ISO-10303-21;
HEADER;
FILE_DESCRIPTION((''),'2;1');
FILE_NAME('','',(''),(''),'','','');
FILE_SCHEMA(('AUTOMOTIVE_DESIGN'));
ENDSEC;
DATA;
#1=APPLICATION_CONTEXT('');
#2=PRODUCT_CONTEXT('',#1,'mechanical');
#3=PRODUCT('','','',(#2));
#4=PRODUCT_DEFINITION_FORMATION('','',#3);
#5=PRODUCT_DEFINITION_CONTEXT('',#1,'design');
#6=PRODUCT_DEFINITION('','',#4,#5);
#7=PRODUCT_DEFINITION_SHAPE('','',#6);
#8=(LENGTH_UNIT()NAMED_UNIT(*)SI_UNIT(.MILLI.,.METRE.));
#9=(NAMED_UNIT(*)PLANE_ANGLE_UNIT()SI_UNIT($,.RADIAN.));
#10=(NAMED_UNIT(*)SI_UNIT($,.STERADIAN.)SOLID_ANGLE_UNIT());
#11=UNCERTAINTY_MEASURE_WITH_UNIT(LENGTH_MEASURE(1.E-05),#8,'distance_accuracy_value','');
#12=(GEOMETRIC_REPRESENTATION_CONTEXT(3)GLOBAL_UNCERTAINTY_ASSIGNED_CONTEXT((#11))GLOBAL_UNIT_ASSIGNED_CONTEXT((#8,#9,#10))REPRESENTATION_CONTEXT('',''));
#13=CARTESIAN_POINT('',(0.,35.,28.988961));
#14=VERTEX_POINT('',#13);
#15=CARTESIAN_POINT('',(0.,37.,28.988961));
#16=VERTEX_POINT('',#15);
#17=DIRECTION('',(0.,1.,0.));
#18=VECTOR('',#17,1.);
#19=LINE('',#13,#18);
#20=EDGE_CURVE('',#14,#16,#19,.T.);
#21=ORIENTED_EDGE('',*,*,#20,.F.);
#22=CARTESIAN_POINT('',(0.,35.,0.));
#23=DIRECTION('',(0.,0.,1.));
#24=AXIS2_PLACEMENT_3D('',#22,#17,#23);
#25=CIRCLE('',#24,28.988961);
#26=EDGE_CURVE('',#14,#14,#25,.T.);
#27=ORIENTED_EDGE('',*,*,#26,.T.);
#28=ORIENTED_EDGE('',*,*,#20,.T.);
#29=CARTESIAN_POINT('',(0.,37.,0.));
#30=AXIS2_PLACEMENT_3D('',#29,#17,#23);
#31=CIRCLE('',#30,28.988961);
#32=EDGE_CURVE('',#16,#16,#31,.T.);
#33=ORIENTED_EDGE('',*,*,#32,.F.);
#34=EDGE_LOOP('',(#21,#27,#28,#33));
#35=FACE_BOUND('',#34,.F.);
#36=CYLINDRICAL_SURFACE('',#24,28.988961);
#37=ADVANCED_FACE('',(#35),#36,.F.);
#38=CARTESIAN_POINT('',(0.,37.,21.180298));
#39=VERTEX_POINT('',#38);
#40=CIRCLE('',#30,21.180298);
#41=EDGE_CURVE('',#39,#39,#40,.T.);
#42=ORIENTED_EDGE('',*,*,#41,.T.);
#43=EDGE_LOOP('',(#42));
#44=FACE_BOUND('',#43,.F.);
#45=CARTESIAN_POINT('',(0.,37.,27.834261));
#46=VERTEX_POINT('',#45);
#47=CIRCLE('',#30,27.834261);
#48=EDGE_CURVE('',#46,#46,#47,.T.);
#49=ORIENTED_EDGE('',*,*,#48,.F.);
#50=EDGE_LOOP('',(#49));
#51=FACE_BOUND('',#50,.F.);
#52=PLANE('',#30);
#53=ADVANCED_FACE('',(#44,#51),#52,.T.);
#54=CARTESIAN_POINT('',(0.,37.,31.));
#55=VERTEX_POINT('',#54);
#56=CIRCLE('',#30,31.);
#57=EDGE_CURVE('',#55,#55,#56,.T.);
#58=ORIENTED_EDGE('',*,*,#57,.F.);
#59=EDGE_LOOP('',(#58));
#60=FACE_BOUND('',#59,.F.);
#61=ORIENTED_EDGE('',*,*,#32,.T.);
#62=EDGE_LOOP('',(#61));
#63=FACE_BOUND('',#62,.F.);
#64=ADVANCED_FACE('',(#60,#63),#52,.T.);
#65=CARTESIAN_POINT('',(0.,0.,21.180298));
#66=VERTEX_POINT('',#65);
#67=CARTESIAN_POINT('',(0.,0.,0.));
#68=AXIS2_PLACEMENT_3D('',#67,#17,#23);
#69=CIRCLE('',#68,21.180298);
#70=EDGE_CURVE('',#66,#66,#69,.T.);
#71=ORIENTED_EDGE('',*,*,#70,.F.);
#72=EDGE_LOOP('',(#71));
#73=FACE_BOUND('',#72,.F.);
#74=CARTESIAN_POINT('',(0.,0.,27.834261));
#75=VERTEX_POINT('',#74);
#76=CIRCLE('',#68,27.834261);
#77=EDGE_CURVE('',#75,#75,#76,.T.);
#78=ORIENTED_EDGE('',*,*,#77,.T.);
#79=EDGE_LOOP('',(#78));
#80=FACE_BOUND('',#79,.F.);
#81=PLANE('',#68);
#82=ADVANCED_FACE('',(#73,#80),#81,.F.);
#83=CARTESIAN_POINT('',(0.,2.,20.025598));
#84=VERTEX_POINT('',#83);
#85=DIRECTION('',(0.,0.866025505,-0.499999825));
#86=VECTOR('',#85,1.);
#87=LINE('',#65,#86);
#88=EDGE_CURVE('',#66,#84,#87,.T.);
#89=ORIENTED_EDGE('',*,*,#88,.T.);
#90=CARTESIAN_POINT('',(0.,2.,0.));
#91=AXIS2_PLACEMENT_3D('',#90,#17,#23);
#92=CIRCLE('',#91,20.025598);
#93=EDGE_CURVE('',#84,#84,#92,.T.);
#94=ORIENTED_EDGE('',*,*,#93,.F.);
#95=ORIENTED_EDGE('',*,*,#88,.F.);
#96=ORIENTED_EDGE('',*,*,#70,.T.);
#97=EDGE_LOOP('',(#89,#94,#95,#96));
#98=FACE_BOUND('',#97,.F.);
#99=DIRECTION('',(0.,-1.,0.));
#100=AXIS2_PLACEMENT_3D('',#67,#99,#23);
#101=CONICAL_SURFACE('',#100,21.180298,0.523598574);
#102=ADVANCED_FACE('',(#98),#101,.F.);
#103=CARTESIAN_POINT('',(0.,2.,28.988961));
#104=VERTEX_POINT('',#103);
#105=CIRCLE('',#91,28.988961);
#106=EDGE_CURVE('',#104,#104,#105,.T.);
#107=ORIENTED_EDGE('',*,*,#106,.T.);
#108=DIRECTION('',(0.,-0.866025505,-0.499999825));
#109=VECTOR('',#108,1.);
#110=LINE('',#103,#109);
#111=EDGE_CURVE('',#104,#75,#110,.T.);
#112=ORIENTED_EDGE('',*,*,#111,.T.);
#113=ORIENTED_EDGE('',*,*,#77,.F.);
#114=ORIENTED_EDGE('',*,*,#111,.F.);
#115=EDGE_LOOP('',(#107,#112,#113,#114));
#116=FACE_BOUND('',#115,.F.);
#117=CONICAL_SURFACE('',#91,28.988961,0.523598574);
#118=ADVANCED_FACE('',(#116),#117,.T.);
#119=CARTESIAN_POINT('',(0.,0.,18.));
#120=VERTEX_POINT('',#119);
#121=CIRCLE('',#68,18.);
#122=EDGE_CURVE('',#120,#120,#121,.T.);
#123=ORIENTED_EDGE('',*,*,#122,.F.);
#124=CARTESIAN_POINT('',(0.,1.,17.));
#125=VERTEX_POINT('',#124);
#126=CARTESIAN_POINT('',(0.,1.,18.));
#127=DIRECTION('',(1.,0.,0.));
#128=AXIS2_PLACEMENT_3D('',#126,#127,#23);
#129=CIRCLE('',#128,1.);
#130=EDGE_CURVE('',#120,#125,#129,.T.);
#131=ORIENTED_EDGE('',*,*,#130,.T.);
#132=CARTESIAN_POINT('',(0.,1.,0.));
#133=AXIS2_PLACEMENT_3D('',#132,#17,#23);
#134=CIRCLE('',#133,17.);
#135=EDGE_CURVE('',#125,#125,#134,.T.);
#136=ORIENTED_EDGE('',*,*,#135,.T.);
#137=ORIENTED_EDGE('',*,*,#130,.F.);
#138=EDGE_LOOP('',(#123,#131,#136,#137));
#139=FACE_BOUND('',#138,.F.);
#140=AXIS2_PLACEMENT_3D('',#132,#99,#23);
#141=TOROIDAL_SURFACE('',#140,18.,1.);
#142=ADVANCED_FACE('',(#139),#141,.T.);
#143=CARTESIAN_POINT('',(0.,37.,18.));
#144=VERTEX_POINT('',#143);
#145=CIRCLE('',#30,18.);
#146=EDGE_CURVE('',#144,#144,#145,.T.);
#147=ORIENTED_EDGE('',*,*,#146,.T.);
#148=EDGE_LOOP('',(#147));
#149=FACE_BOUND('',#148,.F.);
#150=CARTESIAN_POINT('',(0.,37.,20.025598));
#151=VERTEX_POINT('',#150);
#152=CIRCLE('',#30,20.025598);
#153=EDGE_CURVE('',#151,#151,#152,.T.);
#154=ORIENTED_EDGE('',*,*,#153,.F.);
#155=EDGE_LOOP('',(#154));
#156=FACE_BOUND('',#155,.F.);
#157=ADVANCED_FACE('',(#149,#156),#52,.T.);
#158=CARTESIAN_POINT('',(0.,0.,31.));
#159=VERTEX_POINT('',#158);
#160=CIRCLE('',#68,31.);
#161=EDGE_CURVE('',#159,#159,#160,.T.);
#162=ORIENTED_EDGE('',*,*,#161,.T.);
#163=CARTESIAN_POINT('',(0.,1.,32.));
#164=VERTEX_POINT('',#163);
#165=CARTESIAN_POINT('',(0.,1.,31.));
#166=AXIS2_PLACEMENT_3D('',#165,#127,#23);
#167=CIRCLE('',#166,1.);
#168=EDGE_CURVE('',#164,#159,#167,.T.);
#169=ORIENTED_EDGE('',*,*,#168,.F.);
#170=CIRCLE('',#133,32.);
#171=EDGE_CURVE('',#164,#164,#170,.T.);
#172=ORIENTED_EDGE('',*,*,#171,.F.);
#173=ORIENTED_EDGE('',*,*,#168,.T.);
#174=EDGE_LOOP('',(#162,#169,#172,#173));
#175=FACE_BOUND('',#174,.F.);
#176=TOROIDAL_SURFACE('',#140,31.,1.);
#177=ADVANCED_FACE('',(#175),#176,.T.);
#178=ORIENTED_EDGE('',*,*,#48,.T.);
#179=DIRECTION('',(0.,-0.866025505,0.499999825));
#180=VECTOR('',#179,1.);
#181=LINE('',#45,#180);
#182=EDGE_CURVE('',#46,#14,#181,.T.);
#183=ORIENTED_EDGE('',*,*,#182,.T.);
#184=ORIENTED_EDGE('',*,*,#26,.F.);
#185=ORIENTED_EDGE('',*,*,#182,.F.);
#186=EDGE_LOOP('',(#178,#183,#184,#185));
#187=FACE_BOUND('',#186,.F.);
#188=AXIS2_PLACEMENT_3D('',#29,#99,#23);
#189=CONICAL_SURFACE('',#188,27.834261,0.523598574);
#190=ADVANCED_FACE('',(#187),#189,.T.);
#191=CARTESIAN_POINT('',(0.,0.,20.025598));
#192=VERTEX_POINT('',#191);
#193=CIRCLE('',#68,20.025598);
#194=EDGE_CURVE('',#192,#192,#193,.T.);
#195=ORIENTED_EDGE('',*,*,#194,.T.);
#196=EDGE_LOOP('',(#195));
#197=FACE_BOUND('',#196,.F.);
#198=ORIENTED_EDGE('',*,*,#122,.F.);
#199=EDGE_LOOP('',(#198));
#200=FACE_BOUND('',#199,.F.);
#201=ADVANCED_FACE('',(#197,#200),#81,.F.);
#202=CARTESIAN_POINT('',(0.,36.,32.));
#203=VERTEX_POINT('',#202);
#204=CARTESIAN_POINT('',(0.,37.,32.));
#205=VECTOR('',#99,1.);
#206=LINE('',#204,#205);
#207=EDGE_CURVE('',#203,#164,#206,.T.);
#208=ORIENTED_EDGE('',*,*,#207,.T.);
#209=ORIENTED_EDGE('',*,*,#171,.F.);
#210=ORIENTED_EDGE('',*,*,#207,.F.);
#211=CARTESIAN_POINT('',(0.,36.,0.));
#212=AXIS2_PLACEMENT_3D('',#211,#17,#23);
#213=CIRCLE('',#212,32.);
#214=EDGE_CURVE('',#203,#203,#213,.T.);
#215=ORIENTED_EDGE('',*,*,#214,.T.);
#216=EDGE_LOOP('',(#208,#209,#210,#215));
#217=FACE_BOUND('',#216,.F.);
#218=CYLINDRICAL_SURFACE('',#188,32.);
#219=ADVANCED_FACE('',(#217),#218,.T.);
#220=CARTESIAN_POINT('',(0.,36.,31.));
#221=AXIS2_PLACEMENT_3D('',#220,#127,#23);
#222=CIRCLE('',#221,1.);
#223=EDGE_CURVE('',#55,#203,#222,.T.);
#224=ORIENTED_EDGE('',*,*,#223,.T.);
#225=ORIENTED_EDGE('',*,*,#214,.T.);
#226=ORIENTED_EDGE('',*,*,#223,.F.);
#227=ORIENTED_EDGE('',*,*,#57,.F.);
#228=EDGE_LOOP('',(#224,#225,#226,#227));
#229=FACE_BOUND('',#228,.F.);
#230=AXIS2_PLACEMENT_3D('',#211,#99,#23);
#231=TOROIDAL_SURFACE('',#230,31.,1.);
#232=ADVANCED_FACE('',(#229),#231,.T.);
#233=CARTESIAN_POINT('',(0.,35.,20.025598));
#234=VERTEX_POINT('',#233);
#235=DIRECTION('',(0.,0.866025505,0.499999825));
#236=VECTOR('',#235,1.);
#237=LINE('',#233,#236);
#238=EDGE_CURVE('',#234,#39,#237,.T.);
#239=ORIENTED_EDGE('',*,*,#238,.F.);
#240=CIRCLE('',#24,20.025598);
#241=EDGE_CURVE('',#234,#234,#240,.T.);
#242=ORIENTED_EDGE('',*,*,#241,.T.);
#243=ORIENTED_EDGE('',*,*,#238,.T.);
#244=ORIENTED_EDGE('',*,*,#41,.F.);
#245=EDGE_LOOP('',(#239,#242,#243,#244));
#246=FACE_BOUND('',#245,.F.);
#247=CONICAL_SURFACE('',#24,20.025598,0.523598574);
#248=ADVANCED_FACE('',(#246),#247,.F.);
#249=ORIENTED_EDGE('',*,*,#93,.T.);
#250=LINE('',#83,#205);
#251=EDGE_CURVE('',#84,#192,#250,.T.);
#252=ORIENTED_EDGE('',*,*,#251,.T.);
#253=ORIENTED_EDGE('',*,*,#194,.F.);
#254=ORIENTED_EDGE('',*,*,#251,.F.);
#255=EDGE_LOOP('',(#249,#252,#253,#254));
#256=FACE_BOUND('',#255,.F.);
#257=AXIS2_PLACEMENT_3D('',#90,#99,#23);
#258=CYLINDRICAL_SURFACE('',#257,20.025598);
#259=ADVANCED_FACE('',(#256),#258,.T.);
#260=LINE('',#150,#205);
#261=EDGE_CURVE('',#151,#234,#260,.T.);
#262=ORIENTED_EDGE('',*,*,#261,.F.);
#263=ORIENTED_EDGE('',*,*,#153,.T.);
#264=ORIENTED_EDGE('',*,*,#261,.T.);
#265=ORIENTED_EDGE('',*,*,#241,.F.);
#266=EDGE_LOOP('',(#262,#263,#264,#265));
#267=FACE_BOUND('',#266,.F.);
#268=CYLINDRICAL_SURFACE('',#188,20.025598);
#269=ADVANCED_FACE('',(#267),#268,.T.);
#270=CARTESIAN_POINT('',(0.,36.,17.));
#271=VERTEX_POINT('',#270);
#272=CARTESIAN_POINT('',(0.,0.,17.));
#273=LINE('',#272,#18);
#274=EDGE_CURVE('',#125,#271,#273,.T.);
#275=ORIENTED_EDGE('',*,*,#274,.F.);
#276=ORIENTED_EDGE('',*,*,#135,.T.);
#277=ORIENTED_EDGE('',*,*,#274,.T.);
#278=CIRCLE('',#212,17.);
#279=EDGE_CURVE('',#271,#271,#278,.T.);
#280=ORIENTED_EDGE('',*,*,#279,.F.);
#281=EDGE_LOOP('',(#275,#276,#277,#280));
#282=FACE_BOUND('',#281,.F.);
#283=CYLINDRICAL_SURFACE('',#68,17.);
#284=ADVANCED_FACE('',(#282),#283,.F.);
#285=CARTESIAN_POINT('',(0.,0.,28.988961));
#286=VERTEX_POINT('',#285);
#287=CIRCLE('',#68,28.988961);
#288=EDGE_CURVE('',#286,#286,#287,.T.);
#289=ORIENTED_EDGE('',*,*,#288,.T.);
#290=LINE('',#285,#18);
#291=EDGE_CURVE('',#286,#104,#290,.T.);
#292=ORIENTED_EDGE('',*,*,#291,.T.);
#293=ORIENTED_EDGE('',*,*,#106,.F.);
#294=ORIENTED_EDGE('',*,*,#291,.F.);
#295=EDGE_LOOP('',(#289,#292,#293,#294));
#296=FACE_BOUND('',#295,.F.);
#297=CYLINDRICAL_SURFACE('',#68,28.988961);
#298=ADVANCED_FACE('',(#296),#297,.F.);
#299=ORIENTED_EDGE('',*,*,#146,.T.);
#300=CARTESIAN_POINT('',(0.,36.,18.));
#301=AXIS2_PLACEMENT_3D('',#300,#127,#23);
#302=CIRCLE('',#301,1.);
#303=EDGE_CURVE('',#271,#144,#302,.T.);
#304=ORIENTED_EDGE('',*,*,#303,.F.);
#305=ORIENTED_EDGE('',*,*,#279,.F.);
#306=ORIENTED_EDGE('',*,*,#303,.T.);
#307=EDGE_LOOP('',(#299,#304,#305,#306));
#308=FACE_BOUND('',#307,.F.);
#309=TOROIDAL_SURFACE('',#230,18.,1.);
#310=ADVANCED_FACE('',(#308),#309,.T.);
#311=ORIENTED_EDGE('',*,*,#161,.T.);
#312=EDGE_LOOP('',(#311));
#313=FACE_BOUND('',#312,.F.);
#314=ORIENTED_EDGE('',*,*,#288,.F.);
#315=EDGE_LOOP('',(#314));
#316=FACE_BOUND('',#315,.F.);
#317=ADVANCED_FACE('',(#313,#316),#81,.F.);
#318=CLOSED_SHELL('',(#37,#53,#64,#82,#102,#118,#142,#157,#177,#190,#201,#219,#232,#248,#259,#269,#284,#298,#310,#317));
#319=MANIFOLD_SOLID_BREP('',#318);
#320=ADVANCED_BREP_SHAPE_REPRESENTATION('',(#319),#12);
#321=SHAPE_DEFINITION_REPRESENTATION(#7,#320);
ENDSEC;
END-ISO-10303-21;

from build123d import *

# Parameters (mm, degrees)
F2_R = 1


with BuildPart() as f1:
    # F0 (on Right) → F1 (revolve)
    with BuildSketch(Plane.YZ):
        Polygon((0, 20.025598), (0, 17), (18.5, 17), (37, 17), (37, 20.025598), (35, 20.025598), (37, 21.180298), (37, 27.834261), (35, 28.988961), (37, 28.988961), (37, 32), (18.5, 32), (0, 32), (0, 28.988961), (2, 28.988961), (0, 27.834261), (0, 21.180298), (2, 20.025598), align=None)
    revolve(axis=Axis((0, 2.269987, 0), (0, 1, 0)))

    # F2
    f2_edges = [f1.edges().sort_by_distance(p)[0] for p in [
        (0, 37, -32),
        (0, 37, -17),
        (0, 18.5, 32),
        (0, 0, -32),
        (0, 0, -17),
    ]]
    fillet(f2_edges, radius=F2_R)


solid = f1.part
